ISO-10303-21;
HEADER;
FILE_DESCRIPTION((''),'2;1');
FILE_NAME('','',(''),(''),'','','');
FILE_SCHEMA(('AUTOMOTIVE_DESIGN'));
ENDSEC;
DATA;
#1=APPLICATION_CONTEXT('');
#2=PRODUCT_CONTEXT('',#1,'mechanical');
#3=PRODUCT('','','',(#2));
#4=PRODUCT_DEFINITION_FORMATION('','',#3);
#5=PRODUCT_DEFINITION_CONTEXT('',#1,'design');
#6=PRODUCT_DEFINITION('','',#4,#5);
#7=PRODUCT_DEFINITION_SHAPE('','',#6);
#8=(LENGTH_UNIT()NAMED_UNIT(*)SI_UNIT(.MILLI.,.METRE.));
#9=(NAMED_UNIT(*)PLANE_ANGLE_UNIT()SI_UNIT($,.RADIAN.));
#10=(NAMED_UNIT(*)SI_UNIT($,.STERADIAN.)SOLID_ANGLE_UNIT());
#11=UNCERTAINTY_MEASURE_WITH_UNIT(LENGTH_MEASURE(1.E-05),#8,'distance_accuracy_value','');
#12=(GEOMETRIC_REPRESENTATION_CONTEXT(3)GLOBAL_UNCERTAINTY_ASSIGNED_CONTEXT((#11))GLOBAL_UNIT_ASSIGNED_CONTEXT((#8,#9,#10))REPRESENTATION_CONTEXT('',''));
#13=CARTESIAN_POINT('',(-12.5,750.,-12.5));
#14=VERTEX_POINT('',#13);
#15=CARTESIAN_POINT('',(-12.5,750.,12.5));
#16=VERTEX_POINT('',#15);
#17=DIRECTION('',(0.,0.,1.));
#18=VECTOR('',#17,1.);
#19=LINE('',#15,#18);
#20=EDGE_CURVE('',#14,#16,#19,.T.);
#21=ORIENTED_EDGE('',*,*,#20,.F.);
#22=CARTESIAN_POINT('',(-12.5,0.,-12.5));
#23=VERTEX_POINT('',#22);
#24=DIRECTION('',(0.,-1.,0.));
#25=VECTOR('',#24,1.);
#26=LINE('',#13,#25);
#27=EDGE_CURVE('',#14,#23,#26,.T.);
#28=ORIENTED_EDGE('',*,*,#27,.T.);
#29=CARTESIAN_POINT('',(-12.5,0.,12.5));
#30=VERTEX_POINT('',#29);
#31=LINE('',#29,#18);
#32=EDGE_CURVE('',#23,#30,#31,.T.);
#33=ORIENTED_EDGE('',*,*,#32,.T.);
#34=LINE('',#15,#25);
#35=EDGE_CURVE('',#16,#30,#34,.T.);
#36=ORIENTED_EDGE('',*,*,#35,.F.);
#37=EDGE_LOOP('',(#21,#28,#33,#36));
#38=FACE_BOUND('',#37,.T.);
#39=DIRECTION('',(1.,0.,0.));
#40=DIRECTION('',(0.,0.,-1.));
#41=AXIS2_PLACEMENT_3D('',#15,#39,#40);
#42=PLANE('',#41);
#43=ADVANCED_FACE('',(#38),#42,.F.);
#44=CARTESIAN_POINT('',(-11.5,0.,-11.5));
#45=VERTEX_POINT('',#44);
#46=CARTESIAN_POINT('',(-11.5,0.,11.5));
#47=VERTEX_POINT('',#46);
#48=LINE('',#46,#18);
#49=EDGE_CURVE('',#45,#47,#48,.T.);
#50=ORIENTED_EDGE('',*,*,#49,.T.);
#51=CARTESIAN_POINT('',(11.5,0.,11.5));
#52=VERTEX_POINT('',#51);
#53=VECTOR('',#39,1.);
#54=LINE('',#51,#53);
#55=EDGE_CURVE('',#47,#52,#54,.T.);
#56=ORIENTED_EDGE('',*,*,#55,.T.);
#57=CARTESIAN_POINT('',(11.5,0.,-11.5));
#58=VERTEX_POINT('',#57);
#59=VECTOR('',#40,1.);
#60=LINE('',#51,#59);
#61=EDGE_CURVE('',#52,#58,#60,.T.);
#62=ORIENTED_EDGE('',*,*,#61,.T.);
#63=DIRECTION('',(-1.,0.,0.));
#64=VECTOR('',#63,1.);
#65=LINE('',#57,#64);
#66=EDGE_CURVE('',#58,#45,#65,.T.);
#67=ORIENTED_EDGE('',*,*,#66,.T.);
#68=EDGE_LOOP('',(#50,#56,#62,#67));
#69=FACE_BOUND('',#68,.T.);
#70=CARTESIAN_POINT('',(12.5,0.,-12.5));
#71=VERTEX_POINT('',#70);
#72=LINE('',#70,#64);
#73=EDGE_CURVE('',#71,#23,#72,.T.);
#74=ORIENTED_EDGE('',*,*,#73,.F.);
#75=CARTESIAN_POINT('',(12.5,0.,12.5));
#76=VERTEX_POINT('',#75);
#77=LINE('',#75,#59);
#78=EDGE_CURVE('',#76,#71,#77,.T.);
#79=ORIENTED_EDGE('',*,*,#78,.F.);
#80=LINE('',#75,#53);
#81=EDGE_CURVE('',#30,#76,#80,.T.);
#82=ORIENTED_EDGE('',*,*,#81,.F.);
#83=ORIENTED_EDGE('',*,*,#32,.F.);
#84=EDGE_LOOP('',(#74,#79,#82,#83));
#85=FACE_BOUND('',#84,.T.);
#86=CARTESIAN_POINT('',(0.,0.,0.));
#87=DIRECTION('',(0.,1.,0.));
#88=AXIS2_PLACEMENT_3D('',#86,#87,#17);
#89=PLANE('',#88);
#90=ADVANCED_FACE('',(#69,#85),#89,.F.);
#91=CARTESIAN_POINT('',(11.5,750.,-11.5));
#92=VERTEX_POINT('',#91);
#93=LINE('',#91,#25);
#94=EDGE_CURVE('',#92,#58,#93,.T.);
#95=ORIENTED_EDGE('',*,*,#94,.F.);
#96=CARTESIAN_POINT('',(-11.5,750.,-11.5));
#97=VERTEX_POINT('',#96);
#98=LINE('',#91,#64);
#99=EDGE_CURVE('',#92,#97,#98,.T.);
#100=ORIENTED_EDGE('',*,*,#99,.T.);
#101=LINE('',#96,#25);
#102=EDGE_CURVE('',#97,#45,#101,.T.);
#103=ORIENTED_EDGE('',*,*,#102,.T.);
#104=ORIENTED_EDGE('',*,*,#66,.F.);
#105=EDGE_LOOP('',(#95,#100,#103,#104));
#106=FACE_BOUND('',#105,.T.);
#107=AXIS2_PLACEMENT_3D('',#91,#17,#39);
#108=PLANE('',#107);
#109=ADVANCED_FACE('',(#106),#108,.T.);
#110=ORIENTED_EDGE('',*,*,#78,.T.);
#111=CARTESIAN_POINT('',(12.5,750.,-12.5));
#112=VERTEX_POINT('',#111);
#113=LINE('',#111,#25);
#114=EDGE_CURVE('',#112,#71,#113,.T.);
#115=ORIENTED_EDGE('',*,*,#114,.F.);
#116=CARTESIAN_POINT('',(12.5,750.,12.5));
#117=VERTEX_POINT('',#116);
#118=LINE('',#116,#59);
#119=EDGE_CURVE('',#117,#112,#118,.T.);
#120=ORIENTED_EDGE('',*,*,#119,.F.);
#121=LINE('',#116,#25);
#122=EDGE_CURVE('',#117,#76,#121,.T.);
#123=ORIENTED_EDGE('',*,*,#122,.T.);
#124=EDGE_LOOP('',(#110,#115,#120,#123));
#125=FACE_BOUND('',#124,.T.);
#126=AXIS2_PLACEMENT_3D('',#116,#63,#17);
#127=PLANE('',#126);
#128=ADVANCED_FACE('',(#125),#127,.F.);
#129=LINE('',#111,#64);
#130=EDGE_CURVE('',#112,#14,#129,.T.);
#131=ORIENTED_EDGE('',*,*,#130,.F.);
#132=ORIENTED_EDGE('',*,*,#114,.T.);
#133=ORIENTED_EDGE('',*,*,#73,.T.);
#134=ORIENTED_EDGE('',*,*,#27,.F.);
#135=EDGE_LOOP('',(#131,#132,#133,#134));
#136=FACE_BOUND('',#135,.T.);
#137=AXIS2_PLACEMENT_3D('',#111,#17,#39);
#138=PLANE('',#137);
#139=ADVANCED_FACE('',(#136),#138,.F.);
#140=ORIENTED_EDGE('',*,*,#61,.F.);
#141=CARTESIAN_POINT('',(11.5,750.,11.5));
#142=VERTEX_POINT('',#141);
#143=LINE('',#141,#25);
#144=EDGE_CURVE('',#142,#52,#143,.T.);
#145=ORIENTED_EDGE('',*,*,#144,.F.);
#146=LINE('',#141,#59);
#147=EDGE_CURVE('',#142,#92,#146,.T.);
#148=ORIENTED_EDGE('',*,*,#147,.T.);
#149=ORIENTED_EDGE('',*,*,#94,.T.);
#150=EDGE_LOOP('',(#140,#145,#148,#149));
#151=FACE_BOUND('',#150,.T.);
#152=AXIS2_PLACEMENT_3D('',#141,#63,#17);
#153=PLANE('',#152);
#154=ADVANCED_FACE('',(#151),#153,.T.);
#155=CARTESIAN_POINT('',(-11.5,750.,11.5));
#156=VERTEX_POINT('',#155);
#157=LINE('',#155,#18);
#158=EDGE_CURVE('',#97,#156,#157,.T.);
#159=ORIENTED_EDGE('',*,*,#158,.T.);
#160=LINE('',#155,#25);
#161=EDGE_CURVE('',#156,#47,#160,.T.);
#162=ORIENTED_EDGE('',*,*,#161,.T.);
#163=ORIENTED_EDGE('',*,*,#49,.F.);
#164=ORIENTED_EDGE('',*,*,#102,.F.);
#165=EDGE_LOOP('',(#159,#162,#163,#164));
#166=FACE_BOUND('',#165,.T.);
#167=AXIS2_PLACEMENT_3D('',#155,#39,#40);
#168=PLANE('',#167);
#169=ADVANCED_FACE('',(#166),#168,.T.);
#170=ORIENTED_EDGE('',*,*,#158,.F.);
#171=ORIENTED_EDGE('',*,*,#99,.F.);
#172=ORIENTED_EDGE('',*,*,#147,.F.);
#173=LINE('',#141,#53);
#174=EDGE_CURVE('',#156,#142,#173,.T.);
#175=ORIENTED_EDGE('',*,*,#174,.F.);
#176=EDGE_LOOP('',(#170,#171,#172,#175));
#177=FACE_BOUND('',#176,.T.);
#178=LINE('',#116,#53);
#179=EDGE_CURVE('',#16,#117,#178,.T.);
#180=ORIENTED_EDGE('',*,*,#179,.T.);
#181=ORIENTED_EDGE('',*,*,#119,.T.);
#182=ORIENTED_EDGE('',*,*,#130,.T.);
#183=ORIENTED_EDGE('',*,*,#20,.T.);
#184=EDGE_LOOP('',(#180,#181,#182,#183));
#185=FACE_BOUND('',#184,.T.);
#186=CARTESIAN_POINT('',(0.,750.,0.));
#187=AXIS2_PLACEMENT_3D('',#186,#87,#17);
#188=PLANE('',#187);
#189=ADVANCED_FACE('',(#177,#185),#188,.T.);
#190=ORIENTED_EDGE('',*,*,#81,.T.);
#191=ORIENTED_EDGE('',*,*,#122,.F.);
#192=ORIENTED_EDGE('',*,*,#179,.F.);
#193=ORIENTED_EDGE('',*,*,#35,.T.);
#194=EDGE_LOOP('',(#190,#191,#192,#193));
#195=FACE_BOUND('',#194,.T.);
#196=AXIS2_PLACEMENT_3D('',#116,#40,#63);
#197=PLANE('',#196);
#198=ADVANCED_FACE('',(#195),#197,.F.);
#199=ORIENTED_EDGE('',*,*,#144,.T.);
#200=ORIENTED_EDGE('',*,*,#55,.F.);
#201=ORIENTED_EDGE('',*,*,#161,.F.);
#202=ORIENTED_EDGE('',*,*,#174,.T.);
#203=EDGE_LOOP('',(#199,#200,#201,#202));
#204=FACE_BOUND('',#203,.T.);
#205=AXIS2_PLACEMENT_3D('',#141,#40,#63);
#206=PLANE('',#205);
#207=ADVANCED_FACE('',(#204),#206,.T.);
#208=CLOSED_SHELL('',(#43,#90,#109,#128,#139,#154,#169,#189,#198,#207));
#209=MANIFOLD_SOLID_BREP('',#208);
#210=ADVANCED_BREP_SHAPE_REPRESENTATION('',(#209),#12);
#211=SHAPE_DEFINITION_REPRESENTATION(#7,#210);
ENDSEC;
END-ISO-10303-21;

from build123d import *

# Parameters (mm, degrees)
SKETCH1_W           = 25
SKETCH1_H           = 25
SKETCH1_W_2         = 23
SKETCH1_H_2         = 23
BOSS_EXTRUDE1_DEPTH = 750


with BuildPart() as part:
    # Sketch1 → Boss-Extrude1 (new body)
    with BuildSketch(Plane(origin=(0, 0, 0), x_dir=(1, 0, 0), z_dir=(0, 1, 0))):
        Rectangle(SKETCH1_W, SKETCH1_H)
        Rectangle(SKETCH1_W_2, SKETCH1_H_2, mode=Mode.SUBTRACT)
    extrude(amount=BOSS_EXTRUDE1_DEPTH)


solid = part.part
